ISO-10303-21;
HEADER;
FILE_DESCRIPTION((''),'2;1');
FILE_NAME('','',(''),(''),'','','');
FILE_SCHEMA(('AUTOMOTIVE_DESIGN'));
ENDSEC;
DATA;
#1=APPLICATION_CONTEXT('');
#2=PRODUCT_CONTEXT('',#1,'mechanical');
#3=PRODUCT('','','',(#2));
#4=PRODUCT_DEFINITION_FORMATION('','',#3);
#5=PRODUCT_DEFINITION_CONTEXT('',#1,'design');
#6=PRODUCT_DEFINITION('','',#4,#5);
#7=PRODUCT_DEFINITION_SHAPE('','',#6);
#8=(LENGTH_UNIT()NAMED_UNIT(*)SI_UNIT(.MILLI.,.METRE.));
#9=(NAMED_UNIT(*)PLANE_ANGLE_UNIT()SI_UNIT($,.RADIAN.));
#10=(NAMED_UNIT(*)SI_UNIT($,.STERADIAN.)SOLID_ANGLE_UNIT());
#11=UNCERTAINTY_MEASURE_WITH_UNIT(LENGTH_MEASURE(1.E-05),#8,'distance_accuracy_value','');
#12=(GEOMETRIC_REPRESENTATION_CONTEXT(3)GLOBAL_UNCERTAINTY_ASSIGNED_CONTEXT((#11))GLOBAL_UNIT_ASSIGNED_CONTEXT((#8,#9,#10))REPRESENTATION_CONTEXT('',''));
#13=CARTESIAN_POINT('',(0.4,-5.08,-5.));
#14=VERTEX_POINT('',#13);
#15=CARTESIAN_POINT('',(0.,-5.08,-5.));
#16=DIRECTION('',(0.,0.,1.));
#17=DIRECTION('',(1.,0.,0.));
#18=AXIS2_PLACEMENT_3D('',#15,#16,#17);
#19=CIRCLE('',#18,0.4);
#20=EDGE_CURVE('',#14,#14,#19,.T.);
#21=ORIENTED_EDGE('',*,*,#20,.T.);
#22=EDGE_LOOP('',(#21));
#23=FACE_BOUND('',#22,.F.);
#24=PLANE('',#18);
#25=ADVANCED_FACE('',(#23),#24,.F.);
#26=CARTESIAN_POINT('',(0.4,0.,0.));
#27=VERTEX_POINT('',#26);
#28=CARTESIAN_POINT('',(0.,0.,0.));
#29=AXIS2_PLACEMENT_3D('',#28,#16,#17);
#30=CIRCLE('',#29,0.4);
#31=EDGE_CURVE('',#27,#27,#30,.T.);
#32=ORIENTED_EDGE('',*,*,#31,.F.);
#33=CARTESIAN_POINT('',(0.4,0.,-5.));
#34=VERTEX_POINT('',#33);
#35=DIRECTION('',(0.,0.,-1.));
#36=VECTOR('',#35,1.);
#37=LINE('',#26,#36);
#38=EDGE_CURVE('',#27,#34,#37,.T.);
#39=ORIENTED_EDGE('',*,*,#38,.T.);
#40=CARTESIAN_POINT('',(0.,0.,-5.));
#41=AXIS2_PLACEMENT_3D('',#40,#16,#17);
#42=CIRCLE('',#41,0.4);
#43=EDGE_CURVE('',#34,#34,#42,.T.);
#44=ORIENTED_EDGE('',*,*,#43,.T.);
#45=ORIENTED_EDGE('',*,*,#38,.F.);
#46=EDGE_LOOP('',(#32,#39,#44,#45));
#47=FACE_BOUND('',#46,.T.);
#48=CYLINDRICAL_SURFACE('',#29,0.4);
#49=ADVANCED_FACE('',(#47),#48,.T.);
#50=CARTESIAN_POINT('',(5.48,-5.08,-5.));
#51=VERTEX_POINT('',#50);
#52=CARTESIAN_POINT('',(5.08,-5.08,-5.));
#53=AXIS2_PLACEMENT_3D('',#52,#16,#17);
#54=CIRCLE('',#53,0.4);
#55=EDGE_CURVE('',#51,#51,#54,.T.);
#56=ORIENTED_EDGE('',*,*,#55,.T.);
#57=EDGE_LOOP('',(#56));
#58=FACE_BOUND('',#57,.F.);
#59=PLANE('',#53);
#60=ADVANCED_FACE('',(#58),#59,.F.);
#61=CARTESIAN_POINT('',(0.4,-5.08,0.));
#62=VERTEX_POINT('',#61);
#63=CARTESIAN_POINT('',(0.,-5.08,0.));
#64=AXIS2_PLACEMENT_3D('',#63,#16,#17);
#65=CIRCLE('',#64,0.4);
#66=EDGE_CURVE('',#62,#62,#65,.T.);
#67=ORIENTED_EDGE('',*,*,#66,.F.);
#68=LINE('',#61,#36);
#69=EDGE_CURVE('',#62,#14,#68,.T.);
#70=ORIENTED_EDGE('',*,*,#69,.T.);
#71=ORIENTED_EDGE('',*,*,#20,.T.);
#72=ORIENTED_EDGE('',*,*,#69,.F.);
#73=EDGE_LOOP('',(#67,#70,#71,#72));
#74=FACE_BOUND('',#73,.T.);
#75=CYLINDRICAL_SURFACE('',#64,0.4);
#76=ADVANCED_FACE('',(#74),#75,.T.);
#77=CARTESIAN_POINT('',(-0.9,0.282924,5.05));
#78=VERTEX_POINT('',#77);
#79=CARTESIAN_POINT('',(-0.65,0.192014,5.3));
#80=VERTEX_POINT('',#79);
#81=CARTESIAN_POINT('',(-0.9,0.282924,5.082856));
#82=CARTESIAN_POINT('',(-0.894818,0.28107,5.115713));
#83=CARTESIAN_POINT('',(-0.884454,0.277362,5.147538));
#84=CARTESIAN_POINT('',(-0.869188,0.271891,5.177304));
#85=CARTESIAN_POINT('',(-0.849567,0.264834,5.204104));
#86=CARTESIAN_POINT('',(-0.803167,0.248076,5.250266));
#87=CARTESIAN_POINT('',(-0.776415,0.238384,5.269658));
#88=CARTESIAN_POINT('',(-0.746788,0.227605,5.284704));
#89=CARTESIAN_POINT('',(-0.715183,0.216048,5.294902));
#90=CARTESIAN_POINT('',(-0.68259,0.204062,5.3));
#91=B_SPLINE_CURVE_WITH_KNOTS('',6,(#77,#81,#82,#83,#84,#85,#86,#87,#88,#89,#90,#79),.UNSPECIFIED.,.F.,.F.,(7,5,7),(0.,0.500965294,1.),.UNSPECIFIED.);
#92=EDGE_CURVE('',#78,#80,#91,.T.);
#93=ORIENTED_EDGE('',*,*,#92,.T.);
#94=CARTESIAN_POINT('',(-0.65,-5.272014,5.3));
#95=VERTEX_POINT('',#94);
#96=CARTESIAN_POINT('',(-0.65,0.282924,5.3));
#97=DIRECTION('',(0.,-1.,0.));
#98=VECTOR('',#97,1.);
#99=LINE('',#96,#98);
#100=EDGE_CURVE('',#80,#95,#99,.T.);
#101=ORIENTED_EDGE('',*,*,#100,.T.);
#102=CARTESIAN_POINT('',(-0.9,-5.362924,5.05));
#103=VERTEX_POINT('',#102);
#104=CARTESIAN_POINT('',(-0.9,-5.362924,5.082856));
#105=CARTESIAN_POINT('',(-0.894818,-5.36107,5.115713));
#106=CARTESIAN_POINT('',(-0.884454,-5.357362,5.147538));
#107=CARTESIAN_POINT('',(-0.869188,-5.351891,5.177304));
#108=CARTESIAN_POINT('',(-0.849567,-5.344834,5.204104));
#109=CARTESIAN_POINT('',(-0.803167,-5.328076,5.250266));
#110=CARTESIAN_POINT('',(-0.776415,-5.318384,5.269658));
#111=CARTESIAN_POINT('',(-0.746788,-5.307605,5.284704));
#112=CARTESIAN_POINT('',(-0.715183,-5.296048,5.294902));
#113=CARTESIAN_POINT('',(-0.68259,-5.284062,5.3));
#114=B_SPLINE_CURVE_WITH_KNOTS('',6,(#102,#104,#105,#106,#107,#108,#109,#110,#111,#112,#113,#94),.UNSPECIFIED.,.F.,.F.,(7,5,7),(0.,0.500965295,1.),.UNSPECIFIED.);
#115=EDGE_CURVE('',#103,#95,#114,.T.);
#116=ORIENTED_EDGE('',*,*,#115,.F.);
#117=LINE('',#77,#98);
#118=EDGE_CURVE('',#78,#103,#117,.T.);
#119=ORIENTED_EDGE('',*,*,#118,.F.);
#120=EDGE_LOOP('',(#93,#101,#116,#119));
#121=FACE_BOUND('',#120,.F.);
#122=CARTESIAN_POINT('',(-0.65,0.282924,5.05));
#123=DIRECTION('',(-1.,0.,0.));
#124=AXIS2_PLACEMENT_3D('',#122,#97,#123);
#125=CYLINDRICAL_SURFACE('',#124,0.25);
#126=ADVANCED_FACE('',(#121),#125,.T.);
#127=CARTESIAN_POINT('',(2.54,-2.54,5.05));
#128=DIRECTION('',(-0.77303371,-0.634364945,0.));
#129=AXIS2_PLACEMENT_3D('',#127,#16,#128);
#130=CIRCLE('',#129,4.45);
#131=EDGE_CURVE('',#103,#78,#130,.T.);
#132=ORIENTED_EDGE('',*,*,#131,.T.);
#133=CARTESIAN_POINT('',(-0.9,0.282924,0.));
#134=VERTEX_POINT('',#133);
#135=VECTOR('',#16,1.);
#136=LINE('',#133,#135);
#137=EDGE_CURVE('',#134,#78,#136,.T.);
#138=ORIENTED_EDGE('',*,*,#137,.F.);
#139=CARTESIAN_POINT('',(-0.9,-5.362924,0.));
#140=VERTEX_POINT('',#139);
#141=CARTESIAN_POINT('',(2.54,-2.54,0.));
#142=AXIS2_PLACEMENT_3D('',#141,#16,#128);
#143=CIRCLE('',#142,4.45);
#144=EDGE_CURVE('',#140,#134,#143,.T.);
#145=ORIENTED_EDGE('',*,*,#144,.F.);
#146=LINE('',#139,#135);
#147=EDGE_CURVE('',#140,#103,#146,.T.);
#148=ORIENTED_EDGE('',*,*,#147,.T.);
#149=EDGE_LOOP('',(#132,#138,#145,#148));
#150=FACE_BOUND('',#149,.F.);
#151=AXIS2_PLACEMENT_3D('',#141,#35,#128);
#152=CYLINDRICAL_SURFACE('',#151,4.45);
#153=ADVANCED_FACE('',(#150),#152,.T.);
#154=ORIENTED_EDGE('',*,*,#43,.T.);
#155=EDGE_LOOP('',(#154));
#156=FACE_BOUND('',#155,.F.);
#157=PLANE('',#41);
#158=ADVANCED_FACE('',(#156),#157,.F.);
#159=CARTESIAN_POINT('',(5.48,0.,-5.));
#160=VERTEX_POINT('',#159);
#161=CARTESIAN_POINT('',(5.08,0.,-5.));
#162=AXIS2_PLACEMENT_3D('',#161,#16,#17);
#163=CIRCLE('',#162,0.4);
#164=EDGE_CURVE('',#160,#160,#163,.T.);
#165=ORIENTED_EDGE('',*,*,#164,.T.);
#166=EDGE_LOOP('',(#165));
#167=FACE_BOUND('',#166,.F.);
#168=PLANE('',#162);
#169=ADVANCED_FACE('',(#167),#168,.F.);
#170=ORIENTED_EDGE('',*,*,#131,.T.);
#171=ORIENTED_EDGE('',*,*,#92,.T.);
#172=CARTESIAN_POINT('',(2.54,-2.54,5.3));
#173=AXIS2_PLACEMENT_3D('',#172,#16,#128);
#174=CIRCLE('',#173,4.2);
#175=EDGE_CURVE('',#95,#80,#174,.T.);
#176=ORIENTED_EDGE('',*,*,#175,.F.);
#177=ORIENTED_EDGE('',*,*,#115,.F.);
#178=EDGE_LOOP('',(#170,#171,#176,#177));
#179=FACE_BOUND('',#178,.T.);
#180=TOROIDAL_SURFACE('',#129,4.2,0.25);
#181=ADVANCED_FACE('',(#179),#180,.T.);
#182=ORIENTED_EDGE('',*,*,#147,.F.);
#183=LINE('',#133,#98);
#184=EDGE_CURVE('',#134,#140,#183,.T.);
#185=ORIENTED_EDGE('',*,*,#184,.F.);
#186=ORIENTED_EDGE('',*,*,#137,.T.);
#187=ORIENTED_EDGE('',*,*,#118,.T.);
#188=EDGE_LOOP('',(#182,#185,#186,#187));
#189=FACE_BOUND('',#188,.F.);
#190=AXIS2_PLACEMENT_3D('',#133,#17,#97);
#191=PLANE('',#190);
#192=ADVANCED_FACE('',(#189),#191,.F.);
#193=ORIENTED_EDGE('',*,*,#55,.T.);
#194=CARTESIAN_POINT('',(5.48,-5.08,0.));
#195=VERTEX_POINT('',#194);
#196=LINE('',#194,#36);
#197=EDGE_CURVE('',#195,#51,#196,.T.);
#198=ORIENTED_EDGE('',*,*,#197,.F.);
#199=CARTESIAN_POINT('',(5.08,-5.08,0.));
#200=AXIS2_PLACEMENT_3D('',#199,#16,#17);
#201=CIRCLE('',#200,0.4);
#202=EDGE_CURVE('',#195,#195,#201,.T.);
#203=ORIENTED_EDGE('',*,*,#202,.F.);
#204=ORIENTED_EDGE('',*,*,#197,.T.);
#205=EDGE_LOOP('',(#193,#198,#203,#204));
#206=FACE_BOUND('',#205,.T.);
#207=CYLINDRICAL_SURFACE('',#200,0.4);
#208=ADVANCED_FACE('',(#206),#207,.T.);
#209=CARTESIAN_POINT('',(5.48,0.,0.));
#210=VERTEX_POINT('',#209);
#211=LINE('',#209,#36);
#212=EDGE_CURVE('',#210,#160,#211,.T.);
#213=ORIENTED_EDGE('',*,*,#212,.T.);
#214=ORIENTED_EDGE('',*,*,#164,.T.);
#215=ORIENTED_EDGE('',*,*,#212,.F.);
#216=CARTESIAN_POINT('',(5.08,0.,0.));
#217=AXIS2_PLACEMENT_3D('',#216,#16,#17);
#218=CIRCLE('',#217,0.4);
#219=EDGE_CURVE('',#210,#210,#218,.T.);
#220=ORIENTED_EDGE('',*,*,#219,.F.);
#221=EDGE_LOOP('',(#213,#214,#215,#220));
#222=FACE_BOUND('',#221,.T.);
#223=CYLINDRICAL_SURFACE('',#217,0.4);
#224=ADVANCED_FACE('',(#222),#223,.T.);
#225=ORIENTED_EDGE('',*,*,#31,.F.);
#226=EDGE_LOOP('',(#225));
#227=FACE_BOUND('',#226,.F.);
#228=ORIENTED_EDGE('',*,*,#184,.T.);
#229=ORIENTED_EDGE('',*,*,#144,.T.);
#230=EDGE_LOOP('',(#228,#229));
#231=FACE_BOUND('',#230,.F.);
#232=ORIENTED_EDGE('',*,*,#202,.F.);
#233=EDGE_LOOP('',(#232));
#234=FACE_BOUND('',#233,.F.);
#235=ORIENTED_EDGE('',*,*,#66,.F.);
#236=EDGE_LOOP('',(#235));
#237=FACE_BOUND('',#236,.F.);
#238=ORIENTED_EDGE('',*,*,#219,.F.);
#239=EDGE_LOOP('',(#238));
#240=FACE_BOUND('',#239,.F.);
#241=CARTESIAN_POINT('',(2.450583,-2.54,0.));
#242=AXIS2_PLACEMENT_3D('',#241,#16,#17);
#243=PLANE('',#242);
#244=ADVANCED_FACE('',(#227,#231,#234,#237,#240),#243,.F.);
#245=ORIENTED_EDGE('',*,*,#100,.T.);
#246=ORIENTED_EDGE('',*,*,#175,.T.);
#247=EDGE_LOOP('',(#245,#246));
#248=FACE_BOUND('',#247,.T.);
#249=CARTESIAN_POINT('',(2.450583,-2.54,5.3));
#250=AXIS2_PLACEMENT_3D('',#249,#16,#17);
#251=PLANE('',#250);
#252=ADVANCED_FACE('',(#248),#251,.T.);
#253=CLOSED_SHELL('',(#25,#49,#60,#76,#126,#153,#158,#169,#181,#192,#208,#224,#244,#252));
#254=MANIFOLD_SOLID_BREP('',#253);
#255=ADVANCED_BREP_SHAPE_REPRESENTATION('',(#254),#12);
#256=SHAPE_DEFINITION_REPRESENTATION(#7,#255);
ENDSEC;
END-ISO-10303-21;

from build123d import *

# Parameters (mm, degrees)
PAD001_DEPTH = 5.3
FILLET_R     = 0.25
SKETCH_R     = 0.4
PAD_DEPTH    = 5


with BuildPart() as fillet_body:
    # Sketch001 → Pad001 (new body)
    with BuildSketch(Plane.XY):
        with BuildLine():
            Line((-0.9, 0.282924), (-0.9, -5.362924))
            ThreePointArc((-0.9, -5.362924), (6.99, -2.54), (-0.9, 0.282924))
        make_face()
    extrude(amount=PAD001_DEPTH)

    # Fillet
    fillet_edges = [fillet_body.edges().sort_by_distance(p)[0] for p in [
        (-0.9, -2.54, 5.3),
        (6.99, -2.54, 5.3),
    ]]
    fillet(fillet_edges, radius=FILLET_R)


with BuildPart() as diode_bridge_round_d8_9mm:
    # Sketch → Pad (new body)
    with BuildSketch(Plane.XY):
        Circle(SKETCH_R)
        with Locations((5.08, 0)):
            Circle(SKETCH_R)
        with Locations((5.08, -5.08)):
            Circle(SKETCH_R)
        with Locations((0, -5.08)):
            Circle(SKETCH_R)
    extrude(amount=-PAD_DEPTH)

    # Pad_mp_cp: union Fillet body
    add(fillet_body.part)


solid = diode_bridge_round_d8_9mm.part
